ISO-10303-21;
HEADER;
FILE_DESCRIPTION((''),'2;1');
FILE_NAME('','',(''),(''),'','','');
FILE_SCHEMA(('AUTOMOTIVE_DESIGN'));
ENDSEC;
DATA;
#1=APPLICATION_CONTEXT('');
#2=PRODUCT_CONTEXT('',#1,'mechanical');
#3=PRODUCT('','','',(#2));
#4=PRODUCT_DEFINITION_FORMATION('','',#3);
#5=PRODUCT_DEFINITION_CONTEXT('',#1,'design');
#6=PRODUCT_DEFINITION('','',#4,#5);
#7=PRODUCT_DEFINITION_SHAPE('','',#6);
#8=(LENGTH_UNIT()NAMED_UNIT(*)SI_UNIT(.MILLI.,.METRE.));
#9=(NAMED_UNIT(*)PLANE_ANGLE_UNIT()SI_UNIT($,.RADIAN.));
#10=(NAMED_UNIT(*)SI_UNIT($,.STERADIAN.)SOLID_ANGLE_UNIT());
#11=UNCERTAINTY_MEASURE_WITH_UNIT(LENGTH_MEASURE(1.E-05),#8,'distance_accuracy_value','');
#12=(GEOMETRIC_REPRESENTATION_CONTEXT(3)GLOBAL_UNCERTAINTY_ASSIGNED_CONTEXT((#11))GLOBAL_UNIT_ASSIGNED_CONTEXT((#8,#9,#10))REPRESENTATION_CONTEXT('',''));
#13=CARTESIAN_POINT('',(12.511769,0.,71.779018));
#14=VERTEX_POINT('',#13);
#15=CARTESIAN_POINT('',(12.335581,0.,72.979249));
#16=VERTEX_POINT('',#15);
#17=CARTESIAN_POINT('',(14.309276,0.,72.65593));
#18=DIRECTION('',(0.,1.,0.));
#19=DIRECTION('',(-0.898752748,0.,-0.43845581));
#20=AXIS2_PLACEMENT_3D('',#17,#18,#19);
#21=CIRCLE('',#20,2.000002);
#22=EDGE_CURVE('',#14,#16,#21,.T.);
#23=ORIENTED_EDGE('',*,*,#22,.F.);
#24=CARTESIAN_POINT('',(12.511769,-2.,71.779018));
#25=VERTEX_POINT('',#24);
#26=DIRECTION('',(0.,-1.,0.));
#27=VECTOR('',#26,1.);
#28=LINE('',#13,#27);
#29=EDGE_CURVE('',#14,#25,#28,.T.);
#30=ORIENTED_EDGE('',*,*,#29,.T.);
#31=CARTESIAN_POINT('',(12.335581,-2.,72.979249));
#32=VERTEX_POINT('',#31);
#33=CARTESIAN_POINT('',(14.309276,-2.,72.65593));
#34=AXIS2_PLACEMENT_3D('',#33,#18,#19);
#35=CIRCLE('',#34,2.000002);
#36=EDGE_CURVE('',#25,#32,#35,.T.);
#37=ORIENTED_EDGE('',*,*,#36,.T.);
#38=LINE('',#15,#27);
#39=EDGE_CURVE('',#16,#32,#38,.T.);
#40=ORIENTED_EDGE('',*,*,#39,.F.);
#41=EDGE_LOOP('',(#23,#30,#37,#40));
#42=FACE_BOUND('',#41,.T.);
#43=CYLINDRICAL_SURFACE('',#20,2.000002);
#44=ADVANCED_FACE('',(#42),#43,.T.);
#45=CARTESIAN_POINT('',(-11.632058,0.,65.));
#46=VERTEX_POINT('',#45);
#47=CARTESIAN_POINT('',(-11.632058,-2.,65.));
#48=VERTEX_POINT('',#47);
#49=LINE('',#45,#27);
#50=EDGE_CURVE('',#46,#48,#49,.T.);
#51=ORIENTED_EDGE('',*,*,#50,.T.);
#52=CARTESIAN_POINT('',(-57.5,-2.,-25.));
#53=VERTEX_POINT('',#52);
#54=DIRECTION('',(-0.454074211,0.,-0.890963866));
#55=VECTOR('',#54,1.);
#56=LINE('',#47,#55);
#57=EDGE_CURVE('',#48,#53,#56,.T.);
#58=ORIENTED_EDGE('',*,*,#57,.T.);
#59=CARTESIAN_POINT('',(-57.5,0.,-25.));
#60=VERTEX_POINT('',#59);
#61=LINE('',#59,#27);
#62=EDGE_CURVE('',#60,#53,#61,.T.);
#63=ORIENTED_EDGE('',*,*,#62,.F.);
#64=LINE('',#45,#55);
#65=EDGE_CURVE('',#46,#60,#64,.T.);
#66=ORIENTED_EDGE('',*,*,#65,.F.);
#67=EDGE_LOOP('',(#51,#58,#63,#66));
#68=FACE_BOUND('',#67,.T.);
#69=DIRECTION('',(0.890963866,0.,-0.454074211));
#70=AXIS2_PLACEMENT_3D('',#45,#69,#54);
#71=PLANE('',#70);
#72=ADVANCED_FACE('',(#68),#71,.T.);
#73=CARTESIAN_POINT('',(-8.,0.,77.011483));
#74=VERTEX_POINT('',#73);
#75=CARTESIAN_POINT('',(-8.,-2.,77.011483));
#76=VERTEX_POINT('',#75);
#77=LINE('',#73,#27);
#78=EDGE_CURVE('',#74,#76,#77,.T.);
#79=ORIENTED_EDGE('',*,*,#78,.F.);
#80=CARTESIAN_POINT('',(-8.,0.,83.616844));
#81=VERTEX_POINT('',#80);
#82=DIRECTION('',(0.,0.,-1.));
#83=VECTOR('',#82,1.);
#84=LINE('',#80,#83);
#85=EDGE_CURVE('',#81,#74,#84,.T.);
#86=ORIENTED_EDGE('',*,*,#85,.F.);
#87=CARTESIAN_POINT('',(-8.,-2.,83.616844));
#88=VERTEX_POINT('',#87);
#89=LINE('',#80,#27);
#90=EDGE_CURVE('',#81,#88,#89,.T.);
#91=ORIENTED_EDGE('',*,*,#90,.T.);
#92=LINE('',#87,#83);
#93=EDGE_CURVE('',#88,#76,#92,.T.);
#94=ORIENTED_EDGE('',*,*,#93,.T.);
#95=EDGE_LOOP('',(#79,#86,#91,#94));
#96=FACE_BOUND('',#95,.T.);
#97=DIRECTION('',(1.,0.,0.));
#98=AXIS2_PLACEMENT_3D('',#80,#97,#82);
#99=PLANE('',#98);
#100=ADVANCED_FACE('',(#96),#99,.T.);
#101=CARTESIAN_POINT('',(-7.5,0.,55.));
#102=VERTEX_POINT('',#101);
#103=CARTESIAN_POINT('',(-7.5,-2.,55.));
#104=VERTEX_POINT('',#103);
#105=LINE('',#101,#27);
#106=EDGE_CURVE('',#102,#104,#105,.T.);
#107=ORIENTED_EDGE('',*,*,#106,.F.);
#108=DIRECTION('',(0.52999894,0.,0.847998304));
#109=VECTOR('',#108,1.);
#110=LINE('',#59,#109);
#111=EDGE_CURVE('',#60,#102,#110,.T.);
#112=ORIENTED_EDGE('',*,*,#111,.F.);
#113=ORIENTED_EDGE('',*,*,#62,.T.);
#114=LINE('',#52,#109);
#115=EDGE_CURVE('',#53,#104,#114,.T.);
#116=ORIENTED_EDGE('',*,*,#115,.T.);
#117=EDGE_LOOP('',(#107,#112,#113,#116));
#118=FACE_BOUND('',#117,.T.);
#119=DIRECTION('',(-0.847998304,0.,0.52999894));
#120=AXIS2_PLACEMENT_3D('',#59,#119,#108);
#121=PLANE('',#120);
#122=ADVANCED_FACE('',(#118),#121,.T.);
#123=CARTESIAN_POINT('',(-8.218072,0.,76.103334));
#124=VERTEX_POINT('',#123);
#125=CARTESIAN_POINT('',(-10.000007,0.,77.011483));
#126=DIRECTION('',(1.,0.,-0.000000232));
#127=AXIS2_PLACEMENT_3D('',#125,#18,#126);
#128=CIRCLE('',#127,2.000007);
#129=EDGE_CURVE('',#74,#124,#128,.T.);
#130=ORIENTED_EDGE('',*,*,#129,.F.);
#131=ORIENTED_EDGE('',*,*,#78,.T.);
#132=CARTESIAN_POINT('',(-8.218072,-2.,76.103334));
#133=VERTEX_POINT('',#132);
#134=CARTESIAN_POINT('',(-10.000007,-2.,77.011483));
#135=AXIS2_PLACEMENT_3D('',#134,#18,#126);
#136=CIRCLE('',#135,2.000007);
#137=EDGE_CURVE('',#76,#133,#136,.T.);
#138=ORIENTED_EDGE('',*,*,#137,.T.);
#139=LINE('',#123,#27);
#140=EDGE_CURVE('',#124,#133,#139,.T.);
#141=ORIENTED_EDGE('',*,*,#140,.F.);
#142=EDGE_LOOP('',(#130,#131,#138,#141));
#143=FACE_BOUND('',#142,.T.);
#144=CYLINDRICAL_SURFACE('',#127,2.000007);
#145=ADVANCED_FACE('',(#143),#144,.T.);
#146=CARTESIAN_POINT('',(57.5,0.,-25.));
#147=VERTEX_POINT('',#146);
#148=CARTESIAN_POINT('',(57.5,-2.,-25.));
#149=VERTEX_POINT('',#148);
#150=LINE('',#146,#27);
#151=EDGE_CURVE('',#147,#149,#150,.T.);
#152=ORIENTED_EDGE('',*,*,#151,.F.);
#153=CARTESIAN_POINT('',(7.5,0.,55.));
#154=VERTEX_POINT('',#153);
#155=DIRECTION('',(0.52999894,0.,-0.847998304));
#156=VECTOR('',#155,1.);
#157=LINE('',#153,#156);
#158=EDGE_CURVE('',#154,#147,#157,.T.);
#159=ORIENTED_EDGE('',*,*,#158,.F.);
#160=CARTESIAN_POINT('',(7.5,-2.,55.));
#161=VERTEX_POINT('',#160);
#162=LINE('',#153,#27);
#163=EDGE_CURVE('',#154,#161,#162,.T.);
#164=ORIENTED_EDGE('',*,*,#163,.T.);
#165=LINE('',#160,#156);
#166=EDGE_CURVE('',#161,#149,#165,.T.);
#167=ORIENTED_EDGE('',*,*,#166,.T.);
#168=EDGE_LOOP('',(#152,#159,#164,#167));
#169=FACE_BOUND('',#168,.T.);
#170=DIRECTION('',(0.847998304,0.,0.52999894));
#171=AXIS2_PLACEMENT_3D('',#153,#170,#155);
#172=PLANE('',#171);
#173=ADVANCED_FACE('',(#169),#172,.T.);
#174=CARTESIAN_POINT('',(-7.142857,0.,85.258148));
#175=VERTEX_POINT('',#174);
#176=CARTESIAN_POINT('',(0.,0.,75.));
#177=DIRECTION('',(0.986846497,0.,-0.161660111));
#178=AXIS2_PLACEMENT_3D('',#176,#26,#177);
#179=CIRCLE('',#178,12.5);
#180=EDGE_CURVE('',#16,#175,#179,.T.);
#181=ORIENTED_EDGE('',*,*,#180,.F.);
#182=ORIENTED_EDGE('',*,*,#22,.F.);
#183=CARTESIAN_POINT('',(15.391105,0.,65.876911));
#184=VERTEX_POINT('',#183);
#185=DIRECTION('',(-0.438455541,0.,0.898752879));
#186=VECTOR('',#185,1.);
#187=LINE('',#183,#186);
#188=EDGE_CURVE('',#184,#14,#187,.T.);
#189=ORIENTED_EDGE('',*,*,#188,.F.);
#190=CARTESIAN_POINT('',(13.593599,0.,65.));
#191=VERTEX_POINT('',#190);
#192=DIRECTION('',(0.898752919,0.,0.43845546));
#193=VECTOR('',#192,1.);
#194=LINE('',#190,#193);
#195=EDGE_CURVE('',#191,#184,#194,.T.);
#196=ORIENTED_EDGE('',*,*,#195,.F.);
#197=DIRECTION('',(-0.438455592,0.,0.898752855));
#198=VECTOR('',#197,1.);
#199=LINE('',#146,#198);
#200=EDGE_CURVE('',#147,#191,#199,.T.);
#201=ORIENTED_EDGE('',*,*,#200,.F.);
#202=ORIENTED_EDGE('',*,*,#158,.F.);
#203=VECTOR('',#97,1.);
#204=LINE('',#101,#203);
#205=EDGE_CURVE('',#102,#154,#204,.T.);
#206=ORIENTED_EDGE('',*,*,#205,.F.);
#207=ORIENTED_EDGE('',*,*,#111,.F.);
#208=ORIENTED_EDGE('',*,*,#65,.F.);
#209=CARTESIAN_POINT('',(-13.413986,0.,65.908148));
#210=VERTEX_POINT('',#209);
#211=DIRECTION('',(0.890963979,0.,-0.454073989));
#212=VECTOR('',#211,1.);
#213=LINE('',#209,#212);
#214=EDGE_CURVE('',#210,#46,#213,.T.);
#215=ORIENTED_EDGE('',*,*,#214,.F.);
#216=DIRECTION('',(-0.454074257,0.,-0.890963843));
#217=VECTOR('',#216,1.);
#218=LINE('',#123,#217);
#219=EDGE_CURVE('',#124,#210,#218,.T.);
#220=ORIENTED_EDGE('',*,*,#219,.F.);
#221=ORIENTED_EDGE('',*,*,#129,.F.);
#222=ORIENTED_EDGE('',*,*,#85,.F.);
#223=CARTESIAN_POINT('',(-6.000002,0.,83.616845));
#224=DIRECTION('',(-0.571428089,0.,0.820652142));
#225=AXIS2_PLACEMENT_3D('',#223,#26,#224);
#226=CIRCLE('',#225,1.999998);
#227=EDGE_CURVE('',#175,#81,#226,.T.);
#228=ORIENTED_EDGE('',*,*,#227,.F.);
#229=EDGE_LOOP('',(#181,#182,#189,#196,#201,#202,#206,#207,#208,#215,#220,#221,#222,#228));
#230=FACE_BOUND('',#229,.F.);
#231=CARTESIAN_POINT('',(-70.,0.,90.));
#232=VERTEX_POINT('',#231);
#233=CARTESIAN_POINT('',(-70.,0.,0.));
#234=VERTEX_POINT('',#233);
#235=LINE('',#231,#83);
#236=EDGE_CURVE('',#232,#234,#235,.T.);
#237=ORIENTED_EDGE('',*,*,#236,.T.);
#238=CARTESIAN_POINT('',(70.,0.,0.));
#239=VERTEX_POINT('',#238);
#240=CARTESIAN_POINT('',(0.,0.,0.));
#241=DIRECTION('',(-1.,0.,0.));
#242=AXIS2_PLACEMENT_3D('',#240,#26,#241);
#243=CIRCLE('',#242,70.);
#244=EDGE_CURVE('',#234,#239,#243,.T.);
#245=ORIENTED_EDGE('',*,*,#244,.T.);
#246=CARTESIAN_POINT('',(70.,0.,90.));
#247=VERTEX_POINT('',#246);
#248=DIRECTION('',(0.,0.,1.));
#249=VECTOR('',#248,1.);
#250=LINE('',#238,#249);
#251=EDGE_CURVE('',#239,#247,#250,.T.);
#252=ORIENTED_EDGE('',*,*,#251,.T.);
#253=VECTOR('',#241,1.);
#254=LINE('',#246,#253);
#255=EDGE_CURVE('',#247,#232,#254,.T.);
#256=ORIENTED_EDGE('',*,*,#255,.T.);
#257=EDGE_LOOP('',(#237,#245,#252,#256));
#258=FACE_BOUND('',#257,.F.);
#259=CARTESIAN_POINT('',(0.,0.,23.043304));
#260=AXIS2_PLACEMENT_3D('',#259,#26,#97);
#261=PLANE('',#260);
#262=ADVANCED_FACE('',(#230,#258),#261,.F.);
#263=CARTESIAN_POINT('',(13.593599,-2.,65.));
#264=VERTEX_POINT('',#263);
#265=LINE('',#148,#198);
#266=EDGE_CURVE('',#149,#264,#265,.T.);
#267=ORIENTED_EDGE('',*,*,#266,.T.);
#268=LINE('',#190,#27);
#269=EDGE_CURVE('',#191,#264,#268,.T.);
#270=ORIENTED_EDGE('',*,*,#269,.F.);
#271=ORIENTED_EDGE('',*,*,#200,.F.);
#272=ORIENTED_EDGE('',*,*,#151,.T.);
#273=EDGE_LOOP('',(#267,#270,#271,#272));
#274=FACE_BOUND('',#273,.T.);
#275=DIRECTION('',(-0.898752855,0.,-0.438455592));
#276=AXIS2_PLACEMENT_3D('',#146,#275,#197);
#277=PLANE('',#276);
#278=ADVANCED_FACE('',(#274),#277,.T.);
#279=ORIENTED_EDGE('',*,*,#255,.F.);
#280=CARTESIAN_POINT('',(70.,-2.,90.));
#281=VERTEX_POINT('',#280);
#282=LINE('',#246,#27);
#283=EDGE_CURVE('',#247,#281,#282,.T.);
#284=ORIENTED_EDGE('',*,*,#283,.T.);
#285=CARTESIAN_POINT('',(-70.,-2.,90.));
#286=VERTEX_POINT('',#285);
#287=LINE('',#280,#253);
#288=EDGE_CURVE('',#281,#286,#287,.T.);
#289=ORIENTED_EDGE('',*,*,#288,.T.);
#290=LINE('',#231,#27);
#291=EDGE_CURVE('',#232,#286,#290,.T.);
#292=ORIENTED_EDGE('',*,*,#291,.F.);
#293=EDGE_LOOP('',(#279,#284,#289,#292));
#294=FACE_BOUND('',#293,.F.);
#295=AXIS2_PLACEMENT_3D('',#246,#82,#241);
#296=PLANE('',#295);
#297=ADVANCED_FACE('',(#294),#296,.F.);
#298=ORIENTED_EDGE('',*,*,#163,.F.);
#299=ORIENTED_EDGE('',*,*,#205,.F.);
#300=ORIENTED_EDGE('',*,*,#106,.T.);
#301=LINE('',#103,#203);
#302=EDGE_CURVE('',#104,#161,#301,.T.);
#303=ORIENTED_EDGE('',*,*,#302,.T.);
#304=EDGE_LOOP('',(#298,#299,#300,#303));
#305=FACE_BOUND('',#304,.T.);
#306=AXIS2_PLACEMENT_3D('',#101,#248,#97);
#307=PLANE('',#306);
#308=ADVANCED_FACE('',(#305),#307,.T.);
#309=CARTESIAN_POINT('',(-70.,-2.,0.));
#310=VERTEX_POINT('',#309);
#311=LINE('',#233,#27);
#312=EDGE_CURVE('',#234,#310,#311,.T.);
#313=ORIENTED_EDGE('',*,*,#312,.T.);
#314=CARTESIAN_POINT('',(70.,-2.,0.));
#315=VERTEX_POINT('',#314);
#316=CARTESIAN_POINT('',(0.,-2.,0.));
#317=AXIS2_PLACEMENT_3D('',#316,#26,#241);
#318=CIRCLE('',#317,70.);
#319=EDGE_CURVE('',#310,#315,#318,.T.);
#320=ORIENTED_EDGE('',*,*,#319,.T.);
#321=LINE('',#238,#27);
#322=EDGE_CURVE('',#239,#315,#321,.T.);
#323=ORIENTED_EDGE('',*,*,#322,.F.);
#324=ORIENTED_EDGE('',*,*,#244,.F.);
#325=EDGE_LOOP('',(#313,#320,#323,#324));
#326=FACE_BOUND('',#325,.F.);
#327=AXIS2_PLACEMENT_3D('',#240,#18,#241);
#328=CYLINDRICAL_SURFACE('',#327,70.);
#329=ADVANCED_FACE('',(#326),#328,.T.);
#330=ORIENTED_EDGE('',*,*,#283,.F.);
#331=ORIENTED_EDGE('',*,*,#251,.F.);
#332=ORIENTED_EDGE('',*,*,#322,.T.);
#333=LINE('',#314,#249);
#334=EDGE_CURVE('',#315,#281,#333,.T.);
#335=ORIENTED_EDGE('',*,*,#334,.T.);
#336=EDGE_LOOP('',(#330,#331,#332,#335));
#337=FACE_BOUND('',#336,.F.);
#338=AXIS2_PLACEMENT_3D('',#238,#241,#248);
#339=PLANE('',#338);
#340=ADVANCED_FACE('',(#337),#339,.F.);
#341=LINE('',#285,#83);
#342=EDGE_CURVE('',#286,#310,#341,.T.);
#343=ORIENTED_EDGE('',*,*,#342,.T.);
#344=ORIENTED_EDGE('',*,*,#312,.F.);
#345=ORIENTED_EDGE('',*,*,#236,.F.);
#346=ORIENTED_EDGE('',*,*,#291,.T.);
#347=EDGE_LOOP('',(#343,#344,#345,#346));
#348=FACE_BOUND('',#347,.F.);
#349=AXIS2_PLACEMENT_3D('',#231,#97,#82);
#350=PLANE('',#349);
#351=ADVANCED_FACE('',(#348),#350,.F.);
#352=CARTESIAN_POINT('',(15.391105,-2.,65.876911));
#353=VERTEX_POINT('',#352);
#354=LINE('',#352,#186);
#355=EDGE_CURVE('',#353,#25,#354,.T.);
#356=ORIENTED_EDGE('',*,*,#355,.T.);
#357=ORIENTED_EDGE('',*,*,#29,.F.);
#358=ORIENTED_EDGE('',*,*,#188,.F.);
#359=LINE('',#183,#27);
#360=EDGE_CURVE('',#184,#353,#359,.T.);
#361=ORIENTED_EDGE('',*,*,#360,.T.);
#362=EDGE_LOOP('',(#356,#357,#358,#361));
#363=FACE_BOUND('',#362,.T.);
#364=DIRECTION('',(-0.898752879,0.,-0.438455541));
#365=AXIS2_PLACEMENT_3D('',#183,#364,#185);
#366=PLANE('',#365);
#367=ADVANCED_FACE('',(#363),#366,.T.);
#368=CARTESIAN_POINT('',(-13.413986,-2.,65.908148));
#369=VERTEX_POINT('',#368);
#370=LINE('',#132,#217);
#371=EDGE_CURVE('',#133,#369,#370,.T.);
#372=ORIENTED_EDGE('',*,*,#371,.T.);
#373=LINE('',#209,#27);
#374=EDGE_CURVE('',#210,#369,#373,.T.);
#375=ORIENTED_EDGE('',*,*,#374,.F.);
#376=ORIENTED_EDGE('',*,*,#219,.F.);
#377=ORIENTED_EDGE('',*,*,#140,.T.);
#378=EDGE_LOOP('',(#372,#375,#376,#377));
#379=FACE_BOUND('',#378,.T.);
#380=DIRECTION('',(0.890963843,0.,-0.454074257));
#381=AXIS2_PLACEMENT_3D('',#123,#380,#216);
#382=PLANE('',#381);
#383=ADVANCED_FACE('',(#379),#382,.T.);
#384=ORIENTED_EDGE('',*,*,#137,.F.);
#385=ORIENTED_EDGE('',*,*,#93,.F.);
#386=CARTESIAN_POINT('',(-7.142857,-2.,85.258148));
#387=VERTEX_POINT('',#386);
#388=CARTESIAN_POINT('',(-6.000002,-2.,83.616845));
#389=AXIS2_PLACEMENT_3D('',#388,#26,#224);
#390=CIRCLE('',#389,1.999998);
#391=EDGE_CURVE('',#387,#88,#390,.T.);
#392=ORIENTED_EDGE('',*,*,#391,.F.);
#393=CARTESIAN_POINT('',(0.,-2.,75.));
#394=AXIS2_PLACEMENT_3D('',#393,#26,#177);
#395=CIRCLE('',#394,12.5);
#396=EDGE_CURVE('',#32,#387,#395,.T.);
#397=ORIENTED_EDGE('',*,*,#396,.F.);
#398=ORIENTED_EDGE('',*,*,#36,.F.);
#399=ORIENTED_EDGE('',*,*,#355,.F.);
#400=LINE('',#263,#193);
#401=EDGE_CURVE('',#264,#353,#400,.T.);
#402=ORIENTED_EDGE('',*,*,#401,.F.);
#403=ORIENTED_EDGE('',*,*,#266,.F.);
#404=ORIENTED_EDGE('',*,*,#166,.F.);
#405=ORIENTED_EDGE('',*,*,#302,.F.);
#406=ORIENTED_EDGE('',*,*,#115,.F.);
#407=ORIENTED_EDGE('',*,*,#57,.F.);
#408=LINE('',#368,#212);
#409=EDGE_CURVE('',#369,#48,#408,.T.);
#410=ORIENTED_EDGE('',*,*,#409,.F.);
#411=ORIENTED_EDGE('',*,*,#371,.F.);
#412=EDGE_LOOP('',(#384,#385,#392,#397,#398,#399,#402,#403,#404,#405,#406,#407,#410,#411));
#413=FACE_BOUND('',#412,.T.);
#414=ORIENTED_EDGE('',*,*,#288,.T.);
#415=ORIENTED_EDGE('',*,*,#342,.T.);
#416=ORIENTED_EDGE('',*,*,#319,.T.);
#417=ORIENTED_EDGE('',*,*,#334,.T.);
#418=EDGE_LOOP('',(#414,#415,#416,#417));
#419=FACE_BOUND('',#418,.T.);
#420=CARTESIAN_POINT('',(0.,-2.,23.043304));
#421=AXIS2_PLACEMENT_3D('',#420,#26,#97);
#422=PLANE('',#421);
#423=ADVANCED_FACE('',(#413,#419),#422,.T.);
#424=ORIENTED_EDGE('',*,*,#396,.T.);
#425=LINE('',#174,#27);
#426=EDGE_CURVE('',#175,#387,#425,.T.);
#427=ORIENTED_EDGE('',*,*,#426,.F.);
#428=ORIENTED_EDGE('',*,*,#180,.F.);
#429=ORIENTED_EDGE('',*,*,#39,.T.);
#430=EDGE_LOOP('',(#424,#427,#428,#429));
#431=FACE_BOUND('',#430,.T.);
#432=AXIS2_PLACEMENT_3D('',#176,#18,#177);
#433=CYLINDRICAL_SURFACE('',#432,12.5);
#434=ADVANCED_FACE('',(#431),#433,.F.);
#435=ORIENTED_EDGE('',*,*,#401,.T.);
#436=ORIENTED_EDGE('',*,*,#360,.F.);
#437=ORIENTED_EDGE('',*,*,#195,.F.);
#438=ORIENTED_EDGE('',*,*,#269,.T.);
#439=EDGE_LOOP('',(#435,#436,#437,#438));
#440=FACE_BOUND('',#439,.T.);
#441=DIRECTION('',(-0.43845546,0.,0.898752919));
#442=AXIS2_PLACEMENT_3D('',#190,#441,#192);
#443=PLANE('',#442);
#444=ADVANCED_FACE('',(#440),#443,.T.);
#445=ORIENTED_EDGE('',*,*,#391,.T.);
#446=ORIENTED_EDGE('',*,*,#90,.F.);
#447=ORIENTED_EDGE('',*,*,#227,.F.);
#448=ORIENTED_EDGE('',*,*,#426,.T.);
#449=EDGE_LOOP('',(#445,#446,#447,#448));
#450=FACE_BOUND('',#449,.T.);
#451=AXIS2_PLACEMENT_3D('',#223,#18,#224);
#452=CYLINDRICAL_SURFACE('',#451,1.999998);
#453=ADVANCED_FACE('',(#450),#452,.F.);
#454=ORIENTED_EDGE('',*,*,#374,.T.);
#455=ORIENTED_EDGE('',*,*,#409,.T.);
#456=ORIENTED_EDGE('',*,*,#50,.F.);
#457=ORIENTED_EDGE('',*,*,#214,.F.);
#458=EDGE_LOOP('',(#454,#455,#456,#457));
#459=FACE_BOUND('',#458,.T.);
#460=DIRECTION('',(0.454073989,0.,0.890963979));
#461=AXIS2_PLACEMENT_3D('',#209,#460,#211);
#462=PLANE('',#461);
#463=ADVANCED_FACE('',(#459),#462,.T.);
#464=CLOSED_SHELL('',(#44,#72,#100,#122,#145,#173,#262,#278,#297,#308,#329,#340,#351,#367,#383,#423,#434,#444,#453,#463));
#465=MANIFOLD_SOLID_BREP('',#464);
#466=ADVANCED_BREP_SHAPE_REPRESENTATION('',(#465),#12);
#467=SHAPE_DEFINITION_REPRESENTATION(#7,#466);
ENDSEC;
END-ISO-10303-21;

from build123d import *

# Parameters (mm, degrees)
F1_DEPTH = 2
F3_DEPTH = 2


with BuildPart() as f1:
    # F0 (on Front) → F1 (new body)
    with BuildSketch(Plane.XZ):
        with BuildLine():
            Line((70, 90), (-70, 90))
            Line((-70, 90), (-70, 0))
            ThreePointArc((-70, 0), (0, -70), (70, 0))
            Line((70, 0), (70, 90))
        make_face()
    extrude(amount=F1_DEPTH)

    # F2 (on Front) → F3 (cut, through all)
    with BuildSketch(Plane.XZ):
        with BuildLine():
            Line((-13.413986, 65.908148), (-11.632058, 65))
            Line((-11.632058, 65), (-57.5, -25))
            Line((-57.5, -25), (-7.5, 55))
            Line((-7.5, 55), (7.5, 55))
            Line((7.5, 55), (57.5, -25))
            Line((57.5, -25), (13.593599, 65))
            Line((13.593599, 65), (15.391105, 65.876911))
            Line((15.391105, 65.876911), (12.511769, 71.779018))
            ThreePointArc((12.511769, 71.779018), (12.330481, 72.365453), (12.335581, 72.979249))
            ThreePointArc((12.335581, 72.979249), (6.665878, 85.574312), (-7.142857, 85.258148))
            ThreePointArc((-7.142857, 85.258148), (-7.772811, 84.542664), (-8, 83.616844))
            Line((-8, 83.616844), (-8, 77.011483))
            ThreePointArc((-8, 77.011483), (-8.055282, 76.544501), (-8.218072, 76.103334))
            Line((-8.218072, 76.103334), (-13.413986, 65.908148))
        make_face()
    extrude(amount=F3_DEPTH, mode=Mode.SUBTRACT)


solid = f1.part
